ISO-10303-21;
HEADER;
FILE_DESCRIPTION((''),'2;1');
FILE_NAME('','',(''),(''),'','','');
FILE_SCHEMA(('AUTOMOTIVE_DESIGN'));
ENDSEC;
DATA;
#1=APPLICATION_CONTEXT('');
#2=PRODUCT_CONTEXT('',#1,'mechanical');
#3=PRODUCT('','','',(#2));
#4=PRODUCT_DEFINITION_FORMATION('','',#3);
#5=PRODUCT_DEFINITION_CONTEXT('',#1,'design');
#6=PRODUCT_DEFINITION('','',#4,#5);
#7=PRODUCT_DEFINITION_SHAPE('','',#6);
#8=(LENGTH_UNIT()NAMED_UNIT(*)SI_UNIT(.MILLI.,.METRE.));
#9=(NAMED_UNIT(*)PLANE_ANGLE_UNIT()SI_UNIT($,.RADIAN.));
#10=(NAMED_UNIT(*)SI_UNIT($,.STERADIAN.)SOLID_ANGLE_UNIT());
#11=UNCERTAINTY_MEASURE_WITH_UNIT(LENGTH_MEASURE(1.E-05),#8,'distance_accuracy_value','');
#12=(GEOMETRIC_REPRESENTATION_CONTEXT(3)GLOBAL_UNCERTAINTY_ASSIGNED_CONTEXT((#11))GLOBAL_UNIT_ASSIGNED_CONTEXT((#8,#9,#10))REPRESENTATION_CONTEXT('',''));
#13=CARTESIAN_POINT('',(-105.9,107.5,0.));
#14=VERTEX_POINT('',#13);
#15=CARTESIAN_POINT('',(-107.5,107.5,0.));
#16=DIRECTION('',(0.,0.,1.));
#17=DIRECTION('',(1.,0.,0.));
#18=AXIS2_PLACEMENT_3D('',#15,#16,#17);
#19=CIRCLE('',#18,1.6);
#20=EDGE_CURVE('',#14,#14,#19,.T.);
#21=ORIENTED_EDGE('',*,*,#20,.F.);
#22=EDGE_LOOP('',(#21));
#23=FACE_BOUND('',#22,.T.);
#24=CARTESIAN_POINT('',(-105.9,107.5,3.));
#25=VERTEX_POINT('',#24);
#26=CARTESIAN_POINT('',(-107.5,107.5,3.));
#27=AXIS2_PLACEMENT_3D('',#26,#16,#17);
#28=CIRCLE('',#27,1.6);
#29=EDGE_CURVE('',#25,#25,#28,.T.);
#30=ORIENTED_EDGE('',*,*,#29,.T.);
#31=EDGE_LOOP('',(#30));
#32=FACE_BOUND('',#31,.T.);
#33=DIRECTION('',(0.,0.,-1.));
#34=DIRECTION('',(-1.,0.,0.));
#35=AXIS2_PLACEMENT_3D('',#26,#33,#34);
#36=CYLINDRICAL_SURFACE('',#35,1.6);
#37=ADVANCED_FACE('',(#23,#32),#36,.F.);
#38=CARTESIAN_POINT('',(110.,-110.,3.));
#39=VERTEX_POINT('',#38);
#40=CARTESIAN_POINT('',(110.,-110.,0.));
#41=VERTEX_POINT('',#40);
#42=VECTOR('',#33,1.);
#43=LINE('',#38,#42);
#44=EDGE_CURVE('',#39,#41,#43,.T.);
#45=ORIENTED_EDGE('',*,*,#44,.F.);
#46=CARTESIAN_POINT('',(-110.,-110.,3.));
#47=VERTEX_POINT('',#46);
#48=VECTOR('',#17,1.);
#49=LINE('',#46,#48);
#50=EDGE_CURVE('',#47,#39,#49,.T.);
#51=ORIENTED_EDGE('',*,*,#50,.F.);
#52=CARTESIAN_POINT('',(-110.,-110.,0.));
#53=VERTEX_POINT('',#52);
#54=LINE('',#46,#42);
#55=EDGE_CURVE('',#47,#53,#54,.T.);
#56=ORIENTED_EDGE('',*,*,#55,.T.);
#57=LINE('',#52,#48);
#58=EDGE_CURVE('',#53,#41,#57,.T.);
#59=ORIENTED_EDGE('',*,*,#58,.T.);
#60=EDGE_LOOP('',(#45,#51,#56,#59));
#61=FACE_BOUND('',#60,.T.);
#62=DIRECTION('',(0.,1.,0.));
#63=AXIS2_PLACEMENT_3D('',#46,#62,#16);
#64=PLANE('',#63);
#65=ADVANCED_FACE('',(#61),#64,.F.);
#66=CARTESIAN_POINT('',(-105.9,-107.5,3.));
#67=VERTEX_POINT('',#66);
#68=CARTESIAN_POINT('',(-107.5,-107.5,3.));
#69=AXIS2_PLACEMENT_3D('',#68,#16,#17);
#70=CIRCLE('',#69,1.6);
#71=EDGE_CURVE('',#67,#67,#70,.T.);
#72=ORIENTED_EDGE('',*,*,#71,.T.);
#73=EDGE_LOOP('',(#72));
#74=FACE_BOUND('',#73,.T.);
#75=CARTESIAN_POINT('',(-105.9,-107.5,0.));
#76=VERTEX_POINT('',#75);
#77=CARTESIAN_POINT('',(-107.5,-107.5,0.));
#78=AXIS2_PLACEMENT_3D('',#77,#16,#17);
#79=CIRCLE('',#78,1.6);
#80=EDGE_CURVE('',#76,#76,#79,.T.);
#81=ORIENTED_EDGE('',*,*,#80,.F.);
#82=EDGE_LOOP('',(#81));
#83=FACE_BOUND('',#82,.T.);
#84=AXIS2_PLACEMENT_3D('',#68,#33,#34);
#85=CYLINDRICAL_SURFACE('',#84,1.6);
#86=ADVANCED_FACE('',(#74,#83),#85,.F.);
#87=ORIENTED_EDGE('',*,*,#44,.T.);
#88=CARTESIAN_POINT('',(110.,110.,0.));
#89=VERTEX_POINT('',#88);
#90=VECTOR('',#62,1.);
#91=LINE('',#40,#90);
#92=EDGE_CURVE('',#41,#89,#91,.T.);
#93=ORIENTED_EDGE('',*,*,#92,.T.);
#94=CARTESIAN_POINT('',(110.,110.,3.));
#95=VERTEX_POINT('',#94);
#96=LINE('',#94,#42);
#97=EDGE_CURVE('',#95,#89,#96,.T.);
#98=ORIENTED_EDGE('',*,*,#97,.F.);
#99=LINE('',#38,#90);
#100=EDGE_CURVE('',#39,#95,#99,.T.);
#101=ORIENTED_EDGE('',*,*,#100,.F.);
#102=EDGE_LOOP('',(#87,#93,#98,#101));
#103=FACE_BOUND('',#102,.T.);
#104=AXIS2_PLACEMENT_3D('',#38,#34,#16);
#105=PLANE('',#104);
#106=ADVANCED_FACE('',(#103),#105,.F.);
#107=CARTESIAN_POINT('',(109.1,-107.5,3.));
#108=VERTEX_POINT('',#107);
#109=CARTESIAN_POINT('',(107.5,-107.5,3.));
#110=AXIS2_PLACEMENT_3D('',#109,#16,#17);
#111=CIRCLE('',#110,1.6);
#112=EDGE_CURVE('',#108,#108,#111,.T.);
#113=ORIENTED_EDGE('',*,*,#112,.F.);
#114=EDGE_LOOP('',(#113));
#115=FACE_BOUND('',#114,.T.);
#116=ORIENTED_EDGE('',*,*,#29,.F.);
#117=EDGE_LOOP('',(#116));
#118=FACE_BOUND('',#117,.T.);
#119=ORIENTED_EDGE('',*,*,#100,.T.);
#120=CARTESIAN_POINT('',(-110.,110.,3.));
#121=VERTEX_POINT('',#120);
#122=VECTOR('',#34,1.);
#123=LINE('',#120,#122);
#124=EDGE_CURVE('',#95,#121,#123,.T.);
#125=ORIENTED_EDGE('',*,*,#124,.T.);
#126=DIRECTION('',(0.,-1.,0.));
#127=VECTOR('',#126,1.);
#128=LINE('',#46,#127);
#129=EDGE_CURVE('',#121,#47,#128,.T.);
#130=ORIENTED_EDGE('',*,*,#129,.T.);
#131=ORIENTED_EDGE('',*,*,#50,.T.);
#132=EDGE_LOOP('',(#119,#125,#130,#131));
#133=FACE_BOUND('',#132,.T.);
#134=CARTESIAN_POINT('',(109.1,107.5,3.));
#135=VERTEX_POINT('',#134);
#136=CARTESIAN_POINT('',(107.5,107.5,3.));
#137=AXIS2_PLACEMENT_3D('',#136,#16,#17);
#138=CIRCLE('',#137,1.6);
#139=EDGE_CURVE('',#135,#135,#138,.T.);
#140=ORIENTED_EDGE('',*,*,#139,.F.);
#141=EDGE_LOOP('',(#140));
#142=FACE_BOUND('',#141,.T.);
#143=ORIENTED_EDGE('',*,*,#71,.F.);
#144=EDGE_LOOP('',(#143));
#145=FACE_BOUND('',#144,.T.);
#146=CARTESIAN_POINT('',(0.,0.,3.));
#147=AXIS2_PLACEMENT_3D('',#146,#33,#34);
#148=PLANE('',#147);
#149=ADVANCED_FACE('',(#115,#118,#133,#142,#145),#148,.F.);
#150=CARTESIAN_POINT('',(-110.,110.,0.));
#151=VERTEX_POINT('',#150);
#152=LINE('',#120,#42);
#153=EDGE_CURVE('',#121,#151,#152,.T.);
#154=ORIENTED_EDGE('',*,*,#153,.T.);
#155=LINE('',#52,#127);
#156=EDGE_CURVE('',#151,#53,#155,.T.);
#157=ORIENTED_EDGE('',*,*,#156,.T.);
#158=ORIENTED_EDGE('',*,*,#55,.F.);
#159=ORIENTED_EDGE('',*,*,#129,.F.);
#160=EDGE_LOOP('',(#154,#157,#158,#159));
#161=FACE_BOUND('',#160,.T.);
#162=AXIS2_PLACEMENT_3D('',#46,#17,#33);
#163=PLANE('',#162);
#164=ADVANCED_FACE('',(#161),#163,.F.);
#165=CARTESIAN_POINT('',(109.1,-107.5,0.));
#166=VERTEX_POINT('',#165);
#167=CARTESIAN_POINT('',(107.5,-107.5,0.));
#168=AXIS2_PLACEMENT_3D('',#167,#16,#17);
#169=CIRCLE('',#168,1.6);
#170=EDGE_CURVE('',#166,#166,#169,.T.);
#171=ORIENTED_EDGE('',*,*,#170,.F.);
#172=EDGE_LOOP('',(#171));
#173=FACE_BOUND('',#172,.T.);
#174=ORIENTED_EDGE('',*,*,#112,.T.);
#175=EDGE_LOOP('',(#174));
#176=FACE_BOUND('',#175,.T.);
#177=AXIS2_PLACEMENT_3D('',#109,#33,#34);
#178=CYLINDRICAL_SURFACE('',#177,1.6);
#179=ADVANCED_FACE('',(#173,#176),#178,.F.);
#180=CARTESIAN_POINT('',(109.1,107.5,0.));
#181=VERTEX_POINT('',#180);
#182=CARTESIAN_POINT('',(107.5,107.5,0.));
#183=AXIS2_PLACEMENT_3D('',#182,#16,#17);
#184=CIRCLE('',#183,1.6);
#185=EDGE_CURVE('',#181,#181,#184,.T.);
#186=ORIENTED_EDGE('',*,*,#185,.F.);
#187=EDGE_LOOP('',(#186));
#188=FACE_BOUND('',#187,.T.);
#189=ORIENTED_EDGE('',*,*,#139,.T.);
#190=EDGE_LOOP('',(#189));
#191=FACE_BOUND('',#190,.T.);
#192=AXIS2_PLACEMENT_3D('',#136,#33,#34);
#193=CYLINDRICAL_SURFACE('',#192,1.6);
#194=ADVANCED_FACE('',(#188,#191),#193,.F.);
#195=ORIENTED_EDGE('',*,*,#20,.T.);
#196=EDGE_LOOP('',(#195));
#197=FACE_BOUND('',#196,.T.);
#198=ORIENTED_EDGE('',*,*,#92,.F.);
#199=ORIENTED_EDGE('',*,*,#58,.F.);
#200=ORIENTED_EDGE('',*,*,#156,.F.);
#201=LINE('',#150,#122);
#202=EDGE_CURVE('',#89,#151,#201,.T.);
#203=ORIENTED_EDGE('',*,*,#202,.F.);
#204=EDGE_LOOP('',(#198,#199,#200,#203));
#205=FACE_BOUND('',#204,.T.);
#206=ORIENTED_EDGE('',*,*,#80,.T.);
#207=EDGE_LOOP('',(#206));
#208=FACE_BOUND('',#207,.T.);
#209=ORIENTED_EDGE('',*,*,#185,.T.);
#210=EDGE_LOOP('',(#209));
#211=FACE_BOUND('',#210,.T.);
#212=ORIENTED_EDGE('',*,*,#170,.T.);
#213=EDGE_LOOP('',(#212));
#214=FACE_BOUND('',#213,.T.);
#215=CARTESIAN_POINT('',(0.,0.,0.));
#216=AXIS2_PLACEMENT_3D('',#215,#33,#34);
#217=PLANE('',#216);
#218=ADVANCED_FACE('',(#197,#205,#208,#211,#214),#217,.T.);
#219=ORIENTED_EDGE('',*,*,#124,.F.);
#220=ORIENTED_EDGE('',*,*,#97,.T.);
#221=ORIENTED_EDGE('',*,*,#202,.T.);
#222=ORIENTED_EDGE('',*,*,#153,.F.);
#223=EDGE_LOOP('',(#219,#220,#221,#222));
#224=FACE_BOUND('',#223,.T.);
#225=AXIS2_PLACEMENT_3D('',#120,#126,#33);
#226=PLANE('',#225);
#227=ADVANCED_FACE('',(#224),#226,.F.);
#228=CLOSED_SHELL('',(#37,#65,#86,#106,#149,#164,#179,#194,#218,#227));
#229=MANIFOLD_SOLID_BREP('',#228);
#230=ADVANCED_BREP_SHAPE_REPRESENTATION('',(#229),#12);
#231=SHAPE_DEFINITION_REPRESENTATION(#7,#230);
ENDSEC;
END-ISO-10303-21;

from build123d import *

# Parameters (mm, degrees)
ESQUISSE1_W        = 220
ESQUISSE1_H        = 220
ESQUISSE1_R        = 1.6
BOSS_EXTRU_1_DEPTH = 3


with BuildPart() as part:
    # Esquisse1 → Boss.-Extru.1 (new body)
    with BuildSketch(Plane.XY):
        Rectangle(ESQUISSE1_W, ESQUISSE1_H)
        with Locations((-107.5, 107.5)):
            Circle(ESQUISSE1_R, mode=Mode.SUBTRACT)
        with Locations((107.5, 107.5)):
            Circle(ESQUISSE1_R, mode=Mode.SUBTRACT)
        with Locations((107.5, -107.5)):
            Circle(ESQUISSE1_R, mode=Mode.SUBTRACT)
        with Locations((-107.5, -107.5)):
            Circle(ESQUISSE1_R, mode=Mode.SUBTRACT)
    extrude(amount=BOSS_EXTRU_1_DEPTH)


solid = part.part
